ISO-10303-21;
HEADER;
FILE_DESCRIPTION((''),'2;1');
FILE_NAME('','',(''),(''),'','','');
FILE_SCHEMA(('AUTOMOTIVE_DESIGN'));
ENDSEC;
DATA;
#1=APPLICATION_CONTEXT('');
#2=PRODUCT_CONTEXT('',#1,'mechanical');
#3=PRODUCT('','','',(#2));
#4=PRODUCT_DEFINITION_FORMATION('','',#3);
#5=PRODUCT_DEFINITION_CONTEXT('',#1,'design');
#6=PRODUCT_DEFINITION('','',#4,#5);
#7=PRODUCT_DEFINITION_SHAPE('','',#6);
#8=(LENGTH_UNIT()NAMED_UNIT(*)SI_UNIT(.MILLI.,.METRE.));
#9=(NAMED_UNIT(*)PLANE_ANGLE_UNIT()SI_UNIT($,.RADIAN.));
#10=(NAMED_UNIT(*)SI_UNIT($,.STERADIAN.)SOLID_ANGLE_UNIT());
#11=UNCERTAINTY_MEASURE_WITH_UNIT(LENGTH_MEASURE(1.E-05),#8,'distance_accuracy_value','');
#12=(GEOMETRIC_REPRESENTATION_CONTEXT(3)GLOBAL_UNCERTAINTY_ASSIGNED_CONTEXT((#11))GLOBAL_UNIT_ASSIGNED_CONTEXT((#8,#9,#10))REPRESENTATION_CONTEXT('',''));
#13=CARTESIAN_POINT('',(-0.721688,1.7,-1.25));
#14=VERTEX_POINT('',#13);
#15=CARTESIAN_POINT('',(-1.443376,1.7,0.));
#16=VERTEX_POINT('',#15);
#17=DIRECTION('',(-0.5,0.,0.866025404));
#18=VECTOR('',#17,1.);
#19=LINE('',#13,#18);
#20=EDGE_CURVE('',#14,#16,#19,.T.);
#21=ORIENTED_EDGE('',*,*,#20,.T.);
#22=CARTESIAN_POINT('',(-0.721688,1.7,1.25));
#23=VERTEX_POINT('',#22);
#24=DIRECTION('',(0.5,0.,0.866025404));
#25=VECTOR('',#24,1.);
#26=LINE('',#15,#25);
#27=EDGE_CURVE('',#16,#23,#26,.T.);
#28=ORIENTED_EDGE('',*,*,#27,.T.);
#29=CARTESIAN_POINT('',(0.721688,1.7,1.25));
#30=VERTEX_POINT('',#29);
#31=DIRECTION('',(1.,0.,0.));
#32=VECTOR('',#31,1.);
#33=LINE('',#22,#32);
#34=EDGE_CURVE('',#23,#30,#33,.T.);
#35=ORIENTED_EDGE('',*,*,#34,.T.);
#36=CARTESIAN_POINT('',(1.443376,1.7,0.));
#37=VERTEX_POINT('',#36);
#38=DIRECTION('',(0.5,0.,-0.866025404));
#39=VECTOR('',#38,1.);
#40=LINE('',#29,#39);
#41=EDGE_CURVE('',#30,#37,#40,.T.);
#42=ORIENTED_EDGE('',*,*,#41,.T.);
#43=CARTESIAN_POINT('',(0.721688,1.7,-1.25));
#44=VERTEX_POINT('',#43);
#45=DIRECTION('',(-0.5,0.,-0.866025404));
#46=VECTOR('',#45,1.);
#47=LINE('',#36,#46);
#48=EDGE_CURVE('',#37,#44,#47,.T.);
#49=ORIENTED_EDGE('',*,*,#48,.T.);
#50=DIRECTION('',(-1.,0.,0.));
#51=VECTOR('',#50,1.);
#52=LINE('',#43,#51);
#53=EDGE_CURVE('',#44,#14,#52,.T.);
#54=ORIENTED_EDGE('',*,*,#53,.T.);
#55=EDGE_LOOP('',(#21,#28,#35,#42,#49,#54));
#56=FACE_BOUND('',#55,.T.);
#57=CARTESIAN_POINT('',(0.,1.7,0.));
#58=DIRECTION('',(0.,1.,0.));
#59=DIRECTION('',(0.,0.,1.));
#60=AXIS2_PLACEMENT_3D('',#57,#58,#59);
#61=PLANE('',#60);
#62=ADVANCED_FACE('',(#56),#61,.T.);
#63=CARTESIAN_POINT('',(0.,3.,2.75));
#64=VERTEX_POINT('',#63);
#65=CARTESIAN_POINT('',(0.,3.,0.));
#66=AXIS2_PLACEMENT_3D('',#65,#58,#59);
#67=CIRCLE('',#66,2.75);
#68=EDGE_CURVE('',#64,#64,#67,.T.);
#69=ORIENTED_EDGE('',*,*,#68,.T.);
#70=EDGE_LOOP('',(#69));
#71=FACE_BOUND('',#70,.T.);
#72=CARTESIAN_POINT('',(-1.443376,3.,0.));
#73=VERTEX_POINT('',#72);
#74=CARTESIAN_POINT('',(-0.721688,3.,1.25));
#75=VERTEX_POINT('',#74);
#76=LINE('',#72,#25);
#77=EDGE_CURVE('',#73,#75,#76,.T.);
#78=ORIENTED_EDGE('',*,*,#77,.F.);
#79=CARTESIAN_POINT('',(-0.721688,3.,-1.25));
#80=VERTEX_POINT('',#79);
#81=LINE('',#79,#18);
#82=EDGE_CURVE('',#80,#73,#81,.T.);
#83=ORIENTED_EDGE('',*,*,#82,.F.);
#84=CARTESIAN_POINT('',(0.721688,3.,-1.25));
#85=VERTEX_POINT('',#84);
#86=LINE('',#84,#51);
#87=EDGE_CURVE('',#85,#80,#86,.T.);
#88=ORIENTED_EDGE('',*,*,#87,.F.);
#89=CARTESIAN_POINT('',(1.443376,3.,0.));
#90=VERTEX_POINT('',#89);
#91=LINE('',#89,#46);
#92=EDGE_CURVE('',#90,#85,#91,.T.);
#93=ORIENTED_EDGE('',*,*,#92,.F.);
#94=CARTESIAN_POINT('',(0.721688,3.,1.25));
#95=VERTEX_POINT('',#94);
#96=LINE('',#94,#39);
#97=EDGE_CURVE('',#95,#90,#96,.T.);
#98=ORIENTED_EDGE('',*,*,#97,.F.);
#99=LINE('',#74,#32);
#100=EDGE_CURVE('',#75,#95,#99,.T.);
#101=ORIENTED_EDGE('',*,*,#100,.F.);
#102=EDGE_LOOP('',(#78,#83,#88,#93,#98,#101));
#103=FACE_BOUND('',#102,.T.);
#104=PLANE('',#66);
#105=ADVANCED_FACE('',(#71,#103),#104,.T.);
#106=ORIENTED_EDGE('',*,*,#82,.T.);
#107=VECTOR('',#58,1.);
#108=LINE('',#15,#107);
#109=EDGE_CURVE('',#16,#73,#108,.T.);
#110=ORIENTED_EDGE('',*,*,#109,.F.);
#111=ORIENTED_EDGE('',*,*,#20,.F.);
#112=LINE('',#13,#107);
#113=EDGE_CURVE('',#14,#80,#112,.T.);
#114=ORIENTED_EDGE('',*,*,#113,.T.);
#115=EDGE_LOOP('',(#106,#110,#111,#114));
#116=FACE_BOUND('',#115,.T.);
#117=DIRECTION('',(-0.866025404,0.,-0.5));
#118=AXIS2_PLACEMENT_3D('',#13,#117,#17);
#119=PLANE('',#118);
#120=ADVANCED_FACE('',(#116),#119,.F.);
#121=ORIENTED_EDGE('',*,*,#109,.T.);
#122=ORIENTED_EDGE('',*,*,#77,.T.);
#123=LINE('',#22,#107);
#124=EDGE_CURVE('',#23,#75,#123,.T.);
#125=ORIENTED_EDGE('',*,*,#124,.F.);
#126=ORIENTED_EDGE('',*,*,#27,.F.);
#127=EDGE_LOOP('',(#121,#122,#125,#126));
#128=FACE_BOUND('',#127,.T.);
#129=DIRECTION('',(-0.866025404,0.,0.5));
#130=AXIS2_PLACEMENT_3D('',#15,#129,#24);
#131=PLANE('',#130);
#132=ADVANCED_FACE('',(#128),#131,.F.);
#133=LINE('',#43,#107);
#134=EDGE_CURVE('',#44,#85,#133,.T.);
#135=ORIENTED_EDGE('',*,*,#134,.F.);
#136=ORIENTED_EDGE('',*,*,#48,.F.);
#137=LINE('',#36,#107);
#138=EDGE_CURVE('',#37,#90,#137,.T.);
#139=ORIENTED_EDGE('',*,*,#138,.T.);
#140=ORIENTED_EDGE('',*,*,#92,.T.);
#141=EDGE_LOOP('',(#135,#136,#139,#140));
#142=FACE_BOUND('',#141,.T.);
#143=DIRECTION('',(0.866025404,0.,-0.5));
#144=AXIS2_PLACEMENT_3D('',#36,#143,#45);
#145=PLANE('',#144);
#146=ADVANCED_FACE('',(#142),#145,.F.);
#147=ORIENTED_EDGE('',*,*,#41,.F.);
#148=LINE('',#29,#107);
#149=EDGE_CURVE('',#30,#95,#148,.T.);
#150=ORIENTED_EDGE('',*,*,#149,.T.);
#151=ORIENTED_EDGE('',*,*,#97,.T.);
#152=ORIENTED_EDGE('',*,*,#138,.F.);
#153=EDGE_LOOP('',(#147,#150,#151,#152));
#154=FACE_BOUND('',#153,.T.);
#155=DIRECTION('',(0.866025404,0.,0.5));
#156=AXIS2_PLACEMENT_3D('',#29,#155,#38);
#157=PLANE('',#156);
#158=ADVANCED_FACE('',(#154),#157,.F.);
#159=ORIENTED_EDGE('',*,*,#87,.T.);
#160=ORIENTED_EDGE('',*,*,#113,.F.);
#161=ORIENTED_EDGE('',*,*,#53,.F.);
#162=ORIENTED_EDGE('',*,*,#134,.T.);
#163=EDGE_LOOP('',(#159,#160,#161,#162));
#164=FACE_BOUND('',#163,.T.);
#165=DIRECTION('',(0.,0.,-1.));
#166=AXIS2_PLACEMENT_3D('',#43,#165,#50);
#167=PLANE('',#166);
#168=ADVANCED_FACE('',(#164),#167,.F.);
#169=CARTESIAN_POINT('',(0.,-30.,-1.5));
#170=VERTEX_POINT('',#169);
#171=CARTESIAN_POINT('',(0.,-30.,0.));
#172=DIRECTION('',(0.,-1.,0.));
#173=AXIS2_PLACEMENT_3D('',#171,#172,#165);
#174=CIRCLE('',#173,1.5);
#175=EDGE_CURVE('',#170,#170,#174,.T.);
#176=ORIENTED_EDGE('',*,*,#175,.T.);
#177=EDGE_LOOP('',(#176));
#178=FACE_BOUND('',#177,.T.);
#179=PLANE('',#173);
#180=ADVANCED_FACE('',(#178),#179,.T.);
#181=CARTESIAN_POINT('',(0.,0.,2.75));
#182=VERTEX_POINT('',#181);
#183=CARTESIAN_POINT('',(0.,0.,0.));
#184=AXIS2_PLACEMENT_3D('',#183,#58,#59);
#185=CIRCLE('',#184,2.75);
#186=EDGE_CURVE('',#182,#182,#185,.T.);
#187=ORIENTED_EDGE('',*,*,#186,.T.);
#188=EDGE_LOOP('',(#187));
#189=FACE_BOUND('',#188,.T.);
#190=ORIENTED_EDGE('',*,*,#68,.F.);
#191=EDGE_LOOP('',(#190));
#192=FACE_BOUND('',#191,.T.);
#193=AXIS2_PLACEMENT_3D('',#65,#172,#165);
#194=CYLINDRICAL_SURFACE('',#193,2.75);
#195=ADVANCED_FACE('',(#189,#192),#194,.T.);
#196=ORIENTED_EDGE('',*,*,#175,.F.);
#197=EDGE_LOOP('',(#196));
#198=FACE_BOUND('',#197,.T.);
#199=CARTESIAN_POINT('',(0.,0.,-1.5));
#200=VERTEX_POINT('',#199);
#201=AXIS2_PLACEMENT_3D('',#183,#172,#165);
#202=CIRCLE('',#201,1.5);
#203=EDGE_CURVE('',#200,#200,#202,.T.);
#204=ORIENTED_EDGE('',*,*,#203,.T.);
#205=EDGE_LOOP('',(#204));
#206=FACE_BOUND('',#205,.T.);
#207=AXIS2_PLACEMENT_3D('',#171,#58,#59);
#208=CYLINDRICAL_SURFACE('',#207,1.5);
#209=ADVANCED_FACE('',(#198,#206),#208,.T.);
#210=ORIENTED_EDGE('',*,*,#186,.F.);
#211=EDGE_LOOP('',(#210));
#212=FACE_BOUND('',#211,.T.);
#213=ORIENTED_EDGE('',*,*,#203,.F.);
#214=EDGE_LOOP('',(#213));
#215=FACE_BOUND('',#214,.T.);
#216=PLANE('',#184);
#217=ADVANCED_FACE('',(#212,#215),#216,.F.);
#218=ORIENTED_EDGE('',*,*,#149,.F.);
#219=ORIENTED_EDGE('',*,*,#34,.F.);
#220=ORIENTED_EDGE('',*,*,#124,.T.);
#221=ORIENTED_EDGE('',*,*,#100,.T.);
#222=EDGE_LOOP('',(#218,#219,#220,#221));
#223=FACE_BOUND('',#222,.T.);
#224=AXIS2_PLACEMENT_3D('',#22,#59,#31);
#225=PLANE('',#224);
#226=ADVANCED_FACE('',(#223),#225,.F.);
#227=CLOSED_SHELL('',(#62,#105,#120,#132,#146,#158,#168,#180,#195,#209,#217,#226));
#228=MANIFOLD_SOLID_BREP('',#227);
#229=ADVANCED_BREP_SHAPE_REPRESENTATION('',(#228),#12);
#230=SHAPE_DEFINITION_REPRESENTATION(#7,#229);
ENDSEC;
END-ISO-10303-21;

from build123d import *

# Parameters (mm, degrees)
SKETCH_1_R            = 2.75
EXTRUDE_248_DEPTH     = 3
CUT_EXTRUDE_378_DEPTH = 1.3
SKETCH_3_R            = 1.5
EXTRUDE_479_DEPTH     = 30


with BuildPart() as part:
    # 草图1 → Extrude 248 (new body)
    with BuildSketch(Plane(origin=(0, 0, 0), x_dir=(1, 0, 0), z_dir=(0, 1, 0))):
        Circle(SKETCH_1_R)
    extrude(amount=EXTRUDE_248_DEPTH)

    # 草图2 → Cut-Extrude 378 (cut)
    with BuildSketch(Plane(origin=(0, 3, 0), x_dir=(1, 0, 0), z_dir=(0, 1, 0))):
        Polygon((1.443375673, 0), (0.721687836, 1.25), (-0.721687836, 1.25), (-1.443375673, 0), (-0.721687836, -1.25), (0.721687836, -1.25), align=None)
    extrude(amount=-CUT_EXTRUDE_378_DEPTH, mode=Mode.SUBTRACT)

    # 草图3 → Extrude 479 (add)
    with BuildSketch(Plane.XZ):
        Circle(SKETCH_3_R)
    extrude(amount=EXTRUDE_479_DEPTH)


solid = part.part
